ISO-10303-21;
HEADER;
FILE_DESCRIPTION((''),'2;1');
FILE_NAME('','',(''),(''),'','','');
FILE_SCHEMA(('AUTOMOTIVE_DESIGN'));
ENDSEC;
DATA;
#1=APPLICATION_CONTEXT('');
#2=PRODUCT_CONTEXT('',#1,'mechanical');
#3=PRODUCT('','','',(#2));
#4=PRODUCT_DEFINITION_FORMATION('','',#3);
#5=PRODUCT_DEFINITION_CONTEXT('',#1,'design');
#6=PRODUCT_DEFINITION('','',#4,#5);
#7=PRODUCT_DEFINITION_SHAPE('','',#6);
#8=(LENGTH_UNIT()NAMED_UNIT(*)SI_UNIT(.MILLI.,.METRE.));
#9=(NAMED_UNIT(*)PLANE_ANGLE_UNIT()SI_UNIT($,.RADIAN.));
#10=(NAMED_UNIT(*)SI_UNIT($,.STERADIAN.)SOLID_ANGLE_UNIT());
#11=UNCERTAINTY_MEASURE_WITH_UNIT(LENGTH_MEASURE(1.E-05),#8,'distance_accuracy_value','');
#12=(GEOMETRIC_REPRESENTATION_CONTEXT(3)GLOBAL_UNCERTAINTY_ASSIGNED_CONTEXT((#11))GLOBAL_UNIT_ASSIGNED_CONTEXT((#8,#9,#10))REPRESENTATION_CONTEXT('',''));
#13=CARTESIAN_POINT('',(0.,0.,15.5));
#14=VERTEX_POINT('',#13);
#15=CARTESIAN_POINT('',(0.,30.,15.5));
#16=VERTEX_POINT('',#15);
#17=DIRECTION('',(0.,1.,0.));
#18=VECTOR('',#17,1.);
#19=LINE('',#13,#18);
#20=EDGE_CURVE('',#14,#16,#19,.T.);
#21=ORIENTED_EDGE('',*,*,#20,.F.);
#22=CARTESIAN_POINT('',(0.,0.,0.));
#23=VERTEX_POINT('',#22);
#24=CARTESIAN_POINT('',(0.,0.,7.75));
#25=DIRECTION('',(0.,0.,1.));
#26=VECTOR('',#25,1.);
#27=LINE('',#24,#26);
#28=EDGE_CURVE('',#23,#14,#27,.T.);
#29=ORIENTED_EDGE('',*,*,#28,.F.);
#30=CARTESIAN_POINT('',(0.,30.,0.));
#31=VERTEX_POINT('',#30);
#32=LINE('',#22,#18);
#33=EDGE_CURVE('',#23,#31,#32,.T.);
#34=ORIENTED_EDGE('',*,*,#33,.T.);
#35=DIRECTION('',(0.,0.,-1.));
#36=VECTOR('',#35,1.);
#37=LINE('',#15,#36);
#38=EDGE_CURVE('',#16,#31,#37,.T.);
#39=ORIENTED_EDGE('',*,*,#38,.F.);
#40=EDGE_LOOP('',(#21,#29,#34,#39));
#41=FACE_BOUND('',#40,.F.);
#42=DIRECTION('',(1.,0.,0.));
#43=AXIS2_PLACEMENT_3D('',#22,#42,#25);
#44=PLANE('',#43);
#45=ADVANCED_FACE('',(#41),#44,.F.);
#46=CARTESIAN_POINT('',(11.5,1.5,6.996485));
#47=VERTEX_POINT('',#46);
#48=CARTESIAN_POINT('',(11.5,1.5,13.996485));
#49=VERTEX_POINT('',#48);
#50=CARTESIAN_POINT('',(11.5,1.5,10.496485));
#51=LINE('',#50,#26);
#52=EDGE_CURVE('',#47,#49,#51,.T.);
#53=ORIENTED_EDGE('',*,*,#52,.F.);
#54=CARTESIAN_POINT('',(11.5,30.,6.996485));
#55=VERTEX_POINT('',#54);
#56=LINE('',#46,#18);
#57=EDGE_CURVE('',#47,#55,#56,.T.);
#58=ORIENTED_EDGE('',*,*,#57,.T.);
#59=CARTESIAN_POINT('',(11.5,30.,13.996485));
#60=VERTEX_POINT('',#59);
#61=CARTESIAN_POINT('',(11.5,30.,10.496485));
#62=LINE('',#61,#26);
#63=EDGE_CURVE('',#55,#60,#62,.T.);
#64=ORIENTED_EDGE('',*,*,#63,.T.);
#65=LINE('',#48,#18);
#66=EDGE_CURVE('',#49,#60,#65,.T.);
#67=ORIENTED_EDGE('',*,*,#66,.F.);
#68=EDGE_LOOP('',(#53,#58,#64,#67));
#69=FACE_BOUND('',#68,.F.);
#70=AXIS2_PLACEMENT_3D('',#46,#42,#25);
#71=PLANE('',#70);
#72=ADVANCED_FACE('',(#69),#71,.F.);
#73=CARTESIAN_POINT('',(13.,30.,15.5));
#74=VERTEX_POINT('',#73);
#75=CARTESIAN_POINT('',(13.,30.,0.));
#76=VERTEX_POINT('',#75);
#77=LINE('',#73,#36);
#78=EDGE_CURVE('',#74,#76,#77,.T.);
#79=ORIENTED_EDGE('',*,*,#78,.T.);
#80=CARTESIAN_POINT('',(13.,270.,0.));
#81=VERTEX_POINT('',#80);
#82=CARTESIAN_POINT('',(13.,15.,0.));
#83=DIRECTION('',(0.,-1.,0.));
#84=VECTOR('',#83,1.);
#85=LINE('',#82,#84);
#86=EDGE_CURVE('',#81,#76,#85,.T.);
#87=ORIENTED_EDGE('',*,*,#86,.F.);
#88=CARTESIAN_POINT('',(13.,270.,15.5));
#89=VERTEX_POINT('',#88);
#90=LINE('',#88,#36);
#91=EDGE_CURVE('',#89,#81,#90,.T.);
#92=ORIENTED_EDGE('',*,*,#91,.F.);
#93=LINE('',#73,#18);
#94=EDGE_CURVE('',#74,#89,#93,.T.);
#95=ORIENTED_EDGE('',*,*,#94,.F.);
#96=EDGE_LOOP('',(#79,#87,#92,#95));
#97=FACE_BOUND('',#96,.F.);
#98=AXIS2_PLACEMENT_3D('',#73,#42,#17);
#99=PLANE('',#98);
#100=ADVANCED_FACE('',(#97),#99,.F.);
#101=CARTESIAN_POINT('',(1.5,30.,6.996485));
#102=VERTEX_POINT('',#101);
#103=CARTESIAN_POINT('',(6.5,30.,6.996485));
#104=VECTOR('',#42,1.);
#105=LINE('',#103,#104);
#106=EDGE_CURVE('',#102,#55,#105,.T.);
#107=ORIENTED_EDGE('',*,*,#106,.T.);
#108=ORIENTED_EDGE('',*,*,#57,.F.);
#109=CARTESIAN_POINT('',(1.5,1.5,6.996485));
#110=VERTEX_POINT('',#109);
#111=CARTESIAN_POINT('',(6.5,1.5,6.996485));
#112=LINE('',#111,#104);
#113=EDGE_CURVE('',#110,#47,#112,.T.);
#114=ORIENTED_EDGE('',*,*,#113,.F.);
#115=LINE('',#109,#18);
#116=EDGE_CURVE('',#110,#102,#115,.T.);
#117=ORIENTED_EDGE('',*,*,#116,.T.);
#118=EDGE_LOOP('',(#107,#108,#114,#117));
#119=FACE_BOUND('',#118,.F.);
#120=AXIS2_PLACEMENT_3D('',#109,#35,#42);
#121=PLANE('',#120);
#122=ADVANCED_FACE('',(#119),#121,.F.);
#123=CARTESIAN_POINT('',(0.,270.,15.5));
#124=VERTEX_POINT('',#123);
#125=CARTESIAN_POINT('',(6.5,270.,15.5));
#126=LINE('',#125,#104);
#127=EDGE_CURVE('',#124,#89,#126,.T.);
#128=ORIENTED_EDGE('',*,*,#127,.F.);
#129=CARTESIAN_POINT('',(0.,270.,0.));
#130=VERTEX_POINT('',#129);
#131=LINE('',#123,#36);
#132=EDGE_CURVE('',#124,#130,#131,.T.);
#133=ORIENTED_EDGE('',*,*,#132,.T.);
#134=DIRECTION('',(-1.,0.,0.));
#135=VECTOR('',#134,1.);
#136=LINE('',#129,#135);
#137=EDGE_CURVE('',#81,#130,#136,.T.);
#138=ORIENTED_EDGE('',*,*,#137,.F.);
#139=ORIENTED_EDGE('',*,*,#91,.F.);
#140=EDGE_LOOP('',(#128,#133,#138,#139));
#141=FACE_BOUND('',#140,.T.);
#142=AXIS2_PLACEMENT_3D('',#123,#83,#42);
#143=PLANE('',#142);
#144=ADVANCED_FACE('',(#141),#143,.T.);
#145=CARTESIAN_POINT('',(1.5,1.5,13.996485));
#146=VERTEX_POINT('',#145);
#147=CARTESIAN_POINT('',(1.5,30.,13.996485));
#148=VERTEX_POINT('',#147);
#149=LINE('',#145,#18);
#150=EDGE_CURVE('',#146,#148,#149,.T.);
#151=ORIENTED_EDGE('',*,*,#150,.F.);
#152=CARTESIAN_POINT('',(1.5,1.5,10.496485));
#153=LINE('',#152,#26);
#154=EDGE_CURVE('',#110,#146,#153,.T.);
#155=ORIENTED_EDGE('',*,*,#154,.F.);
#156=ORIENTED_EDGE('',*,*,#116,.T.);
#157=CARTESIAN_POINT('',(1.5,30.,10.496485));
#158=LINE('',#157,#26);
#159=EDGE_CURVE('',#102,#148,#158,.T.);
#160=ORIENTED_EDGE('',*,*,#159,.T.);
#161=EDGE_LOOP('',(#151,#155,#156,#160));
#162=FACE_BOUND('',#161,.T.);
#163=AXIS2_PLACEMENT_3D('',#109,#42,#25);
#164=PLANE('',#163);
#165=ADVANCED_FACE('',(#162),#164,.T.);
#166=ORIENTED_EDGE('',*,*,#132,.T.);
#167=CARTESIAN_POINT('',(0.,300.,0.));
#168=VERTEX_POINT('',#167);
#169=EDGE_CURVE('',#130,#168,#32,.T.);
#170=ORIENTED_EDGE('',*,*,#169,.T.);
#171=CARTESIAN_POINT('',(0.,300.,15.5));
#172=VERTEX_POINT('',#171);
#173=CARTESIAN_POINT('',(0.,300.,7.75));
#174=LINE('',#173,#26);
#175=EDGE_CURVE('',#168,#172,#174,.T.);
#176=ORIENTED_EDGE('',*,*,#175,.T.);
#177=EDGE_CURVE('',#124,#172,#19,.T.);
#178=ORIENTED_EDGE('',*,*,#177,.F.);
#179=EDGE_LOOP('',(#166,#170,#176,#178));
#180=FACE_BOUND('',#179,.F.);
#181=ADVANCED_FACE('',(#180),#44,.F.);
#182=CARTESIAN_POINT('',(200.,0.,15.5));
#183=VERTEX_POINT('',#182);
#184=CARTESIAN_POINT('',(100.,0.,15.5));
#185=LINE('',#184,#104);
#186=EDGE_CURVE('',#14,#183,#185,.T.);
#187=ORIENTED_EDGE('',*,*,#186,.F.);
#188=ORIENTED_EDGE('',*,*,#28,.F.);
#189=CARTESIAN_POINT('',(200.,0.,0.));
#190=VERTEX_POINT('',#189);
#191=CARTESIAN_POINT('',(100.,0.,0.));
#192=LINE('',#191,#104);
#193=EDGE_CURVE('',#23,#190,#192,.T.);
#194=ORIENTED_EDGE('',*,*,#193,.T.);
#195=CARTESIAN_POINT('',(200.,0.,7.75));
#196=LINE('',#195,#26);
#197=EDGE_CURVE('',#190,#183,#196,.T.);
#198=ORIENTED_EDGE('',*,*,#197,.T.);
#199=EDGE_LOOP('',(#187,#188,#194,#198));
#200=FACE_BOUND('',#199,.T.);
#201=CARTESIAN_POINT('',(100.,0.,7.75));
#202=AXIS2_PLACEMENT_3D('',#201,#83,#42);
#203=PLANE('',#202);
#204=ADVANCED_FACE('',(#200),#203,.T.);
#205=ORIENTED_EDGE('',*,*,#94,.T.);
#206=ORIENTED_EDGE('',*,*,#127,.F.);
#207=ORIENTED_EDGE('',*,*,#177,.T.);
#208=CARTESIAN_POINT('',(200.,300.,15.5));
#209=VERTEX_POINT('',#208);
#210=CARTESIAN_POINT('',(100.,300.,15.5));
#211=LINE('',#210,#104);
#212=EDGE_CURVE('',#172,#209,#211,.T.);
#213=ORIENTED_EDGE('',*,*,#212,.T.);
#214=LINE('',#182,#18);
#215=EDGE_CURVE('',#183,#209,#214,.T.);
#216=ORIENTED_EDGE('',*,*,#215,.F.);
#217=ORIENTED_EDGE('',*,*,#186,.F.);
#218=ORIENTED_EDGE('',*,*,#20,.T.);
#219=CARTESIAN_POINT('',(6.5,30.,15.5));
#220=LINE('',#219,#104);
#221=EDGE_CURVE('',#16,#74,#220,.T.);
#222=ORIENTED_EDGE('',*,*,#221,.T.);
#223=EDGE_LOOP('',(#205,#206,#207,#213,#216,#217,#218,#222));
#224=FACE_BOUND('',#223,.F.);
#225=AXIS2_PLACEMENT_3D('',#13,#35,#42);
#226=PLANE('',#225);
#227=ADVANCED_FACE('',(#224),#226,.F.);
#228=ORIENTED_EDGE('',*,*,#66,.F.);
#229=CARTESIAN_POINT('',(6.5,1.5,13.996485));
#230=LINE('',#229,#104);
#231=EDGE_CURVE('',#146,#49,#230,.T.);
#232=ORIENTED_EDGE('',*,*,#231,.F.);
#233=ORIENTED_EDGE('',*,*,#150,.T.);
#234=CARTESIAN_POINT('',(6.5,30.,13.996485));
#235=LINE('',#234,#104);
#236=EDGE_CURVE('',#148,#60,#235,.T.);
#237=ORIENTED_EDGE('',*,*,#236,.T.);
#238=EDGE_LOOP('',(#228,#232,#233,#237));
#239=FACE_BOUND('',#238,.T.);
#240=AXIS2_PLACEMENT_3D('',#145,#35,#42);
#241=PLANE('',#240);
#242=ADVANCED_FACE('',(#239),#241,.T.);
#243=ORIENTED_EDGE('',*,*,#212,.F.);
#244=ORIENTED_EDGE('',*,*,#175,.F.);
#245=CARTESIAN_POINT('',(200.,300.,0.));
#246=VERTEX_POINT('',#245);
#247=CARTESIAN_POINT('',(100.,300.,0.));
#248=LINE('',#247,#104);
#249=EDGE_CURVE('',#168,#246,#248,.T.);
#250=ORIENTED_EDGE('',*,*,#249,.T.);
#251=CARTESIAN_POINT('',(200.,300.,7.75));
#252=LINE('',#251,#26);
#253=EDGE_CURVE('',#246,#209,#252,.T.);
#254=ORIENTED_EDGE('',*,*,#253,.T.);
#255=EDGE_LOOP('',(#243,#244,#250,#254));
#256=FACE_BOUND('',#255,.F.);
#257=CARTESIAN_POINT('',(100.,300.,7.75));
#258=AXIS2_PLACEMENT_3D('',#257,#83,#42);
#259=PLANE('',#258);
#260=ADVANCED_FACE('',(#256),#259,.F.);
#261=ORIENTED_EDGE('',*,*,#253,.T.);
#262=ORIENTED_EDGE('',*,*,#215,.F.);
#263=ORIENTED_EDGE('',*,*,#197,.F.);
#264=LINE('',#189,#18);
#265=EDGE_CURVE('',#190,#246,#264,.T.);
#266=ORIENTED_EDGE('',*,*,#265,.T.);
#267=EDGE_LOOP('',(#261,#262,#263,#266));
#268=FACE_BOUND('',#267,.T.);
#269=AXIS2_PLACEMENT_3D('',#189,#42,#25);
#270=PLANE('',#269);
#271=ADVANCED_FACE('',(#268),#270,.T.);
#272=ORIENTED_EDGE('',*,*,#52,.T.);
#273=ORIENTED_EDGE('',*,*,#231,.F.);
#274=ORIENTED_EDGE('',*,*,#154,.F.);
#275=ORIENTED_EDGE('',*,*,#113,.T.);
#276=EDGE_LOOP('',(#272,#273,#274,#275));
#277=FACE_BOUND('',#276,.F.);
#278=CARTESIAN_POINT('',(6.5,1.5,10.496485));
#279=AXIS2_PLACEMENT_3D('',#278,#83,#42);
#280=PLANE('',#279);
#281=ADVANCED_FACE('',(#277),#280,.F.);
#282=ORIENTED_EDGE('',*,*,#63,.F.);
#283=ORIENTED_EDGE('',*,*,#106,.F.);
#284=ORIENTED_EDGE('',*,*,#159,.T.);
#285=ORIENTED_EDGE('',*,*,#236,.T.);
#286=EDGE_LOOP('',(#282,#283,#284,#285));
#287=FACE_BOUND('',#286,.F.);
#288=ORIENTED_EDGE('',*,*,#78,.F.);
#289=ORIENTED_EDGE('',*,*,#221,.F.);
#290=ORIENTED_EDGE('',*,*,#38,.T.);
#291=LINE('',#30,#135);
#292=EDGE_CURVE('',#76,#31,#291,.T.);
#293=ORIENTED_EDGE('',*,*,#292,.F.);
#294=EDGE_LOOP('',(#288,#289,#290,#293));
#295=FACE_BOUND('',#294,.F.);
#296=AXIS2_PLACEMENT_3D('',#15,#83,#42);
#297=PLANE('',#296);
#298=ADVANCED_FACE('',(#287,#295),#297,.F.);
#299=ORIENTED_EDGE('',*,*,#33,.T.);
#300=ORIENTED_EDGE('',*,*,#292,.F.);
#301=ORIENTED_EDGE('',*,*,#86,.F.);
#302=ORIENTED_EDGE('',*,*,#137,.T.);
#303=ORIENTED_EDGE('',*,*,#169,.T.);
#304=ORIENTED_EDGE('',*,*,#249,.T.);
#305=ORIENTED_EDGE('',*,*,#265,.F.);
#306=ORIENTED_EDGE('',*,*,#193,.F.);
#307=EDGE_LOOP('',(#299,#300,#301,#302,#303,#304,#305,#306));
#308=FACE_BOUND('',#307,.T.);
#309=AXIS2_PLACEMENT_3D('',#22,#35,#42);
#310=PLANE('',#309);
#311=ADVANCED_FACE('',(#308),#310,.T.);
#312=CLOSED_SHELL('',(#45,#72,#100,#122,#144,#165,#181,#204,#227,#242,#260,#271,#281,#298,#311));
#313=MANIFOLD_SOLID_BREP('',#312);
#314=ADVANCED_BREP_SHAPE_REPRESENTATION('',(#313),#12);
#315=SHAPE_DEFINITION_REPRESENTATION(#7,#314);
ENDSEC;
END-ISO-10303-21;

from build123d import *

# Parameters (mm, degrees)
F0_W     = 200
F0_H     = 15.5
F1_DEPTH = 300
F2_W     = 13
F2_H     = 120
F3_DEPTH = 15.501
F5_W     = 10
F5_H     = 7
F6_DEPTH = 28.5


with BuildPart() as f1:
    # F0 (on Front) → F1 (new body)
    with BuildSketch(Plane.XZ):
        with Locations((100, 7.75)):
            Rectangle(F0_W, F0_H)
    extrude(amount=-F1_DEPTH)

    # F2 (on face) → F3 (cut, through all)
    with BuildSketch(Plane.XY.offset(15.5)):
        with Locations((6.5, 210)):
            Rectangle(F2_W, F2_H)
        with Locations((6.5, 90)):
            Rectangle(F2_W, F2_H)
    extrude(amount=-F3_DEPTH, mode=Mode.SUBTRACT)

    # F5 (on offset) → F6 (cut, through all)
    with BuildSketch(Plane.XZ.offset(-1.5)):
        with Locations((6.5, 10.4964849353)):
            Rectangle(F5_W, F5_H)
    extrude(amount=-F6_DEPTH, mode=Mode.SUBTRACT)


solid = f1.part
